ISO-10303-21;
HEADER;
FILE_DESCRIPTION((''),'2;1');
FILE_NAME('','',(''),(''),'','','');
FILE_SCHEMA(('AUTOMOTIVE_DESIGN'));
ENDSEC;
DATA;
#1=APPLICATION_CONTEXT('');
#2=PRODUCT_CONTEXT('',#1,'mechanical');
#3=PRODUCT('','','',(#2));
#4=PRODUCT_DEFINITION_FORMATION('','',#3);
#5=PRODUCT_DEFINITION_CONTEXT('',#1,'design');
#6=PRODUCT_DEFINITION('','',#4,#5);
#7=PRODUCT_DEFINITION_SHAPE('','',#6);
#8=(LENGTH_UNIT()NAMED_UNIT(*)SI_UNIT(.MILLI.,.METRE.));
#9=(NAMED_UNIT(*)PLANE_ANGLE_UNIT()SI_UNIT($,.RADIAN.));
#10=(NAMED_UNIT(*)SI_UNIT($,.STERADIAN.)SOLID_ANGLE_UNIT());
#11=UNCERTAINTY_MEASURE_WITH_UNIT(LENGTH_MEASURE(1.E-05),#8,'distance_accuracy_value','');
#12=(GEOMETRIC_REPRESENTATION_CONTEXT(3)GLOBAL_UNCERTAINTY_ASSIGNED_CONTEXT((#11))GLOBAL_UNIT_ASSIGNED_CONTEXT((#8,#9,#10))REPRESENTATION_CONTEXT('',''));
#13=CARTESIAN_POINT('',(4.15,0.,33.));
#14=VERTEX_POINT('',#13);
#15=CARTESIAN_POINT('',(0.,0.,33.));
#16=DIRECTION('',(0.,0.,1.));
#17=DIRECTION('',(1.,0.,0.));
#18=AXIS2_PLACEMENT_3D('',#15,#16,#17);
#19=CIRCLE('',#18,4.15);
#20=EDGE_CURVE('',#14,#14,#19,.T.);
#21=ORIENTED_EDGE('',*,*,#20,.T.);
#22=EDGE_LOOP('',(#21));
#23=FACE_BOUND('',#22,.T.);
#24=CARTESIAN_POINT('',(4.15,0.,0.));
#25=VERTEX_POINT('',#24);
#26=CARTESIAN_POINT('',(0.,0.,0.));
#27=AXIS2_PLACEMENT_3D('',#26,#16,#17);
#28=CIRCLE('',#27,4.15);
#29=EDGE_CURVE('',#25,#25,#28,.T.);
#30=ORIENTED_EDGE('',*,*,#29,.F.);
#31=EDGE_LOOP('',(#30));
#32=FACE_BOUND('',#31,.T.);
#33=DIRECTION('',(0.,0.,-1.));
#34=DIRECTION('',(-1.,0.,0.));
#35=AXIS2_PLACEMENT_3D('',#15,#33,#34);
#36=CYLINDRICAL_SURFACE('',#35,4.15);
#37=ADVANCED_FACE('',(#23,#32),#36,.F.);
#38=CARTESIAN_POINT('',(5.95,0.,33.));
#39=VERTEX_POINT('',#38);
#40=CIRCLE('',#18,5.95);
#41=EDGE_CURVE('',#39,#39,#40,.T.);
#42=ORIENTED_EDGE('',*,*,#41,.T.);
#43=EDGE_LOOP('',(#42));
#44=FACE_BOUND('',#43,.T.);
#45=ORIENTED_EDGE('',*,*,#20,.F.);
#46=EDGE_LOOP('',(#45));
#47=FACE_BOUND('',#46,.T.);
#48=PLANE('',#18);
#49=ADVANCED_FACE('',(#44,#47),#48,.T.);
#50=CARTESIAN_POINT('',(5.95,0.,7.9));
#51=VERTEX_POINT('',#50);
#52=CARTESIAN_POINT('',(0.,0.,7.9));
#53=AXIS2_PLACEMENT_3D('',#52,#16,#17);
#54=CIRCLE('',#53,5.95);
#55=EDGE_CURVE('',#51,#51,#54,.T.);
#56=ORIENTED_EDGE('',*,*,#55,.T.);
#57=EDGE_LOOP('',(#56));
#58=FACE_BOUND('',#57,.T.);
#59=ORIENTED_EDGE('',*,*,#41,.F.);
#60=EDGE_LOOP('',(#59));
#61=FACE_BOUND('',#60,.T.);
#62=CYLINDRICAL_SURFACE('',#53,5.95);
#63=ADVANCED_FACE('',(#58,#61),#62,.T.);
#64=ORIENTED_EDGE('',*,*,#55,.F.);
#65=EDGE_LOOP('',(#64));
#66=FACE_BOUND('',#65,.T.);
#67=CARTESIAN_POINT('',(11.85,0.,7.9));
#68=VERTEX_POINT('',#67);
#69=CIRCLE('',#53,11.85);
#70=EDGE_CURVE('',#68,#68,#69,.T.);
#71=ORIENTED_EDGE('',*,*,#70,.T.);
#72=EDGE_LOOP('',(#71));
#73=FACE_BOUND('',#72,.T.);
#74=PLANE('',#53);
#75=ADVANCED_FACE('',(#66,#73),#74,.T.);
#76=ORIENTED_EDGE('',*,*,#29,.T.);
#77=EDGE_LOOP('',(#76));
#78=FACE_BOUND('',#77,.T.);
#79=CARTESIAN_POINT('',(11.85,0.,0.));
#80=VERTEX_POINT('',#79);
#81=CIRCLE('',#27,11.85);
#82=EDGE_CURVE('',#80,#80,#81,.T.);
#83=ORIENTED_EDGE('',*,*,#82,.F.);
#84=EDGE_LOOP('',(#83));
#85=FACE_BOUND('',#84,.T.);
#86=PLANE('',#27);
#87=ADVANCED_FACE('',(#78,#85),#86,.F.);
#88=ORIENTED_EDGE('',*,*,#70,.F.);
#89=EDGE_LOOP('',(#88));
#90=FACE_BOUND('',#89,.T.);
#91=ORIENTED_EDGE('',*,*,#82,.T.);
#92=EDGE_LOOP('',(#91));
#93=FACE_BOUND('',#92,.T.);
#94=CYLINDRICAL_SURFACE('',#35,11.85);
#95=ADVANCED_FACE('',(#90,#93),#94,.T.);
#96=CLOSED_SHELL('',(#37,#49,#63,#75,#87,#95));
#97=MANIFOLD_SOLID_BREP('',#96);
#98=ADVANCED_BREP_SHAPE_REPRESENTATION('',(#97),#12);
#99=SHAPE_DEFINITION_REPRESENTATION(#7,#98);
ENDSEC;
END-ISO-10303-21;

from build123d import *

# Parameters (mm, degrees)
SKETCH1_R           = 11.85
SKETCH1_R_2         = 4.15
BOSS_EXTRUDE1_DEPTH = 33
CUT_EXTRUDE1_START  = -25.1
SKETCH2_R           = 11.85
SKETCH2_R_2         = 5.95
CUT_EXTRUDE1_DEPTH  = 25.1


with BuildPart() as part:
    # Sketch1 → Boss-Extrude1 (new body)
    with BuildSketch(Plane.XY):
        Circle(SKETCH1_R)
        Circle(SKETCH1_R_2, mode=Mode.SUBTRACT)
    extrude(amount=BOSS_EXTRUDE1_DEPTH)

    # Sketch2 → Cut-Extrude1 (cut)
    with BuildSketch(Plane.XY.offset(33).offset(CUT_EXTRUDE1_START)):
        Circle(SKETCH2_R)
        Circle(SKETCH2_R_2, mode=Mode.SUBTRACT)
    extrude(amount=CUT_EXTRUDE1_DEPTH, mode=Mode.SUBTRACT)


solid = part.part
